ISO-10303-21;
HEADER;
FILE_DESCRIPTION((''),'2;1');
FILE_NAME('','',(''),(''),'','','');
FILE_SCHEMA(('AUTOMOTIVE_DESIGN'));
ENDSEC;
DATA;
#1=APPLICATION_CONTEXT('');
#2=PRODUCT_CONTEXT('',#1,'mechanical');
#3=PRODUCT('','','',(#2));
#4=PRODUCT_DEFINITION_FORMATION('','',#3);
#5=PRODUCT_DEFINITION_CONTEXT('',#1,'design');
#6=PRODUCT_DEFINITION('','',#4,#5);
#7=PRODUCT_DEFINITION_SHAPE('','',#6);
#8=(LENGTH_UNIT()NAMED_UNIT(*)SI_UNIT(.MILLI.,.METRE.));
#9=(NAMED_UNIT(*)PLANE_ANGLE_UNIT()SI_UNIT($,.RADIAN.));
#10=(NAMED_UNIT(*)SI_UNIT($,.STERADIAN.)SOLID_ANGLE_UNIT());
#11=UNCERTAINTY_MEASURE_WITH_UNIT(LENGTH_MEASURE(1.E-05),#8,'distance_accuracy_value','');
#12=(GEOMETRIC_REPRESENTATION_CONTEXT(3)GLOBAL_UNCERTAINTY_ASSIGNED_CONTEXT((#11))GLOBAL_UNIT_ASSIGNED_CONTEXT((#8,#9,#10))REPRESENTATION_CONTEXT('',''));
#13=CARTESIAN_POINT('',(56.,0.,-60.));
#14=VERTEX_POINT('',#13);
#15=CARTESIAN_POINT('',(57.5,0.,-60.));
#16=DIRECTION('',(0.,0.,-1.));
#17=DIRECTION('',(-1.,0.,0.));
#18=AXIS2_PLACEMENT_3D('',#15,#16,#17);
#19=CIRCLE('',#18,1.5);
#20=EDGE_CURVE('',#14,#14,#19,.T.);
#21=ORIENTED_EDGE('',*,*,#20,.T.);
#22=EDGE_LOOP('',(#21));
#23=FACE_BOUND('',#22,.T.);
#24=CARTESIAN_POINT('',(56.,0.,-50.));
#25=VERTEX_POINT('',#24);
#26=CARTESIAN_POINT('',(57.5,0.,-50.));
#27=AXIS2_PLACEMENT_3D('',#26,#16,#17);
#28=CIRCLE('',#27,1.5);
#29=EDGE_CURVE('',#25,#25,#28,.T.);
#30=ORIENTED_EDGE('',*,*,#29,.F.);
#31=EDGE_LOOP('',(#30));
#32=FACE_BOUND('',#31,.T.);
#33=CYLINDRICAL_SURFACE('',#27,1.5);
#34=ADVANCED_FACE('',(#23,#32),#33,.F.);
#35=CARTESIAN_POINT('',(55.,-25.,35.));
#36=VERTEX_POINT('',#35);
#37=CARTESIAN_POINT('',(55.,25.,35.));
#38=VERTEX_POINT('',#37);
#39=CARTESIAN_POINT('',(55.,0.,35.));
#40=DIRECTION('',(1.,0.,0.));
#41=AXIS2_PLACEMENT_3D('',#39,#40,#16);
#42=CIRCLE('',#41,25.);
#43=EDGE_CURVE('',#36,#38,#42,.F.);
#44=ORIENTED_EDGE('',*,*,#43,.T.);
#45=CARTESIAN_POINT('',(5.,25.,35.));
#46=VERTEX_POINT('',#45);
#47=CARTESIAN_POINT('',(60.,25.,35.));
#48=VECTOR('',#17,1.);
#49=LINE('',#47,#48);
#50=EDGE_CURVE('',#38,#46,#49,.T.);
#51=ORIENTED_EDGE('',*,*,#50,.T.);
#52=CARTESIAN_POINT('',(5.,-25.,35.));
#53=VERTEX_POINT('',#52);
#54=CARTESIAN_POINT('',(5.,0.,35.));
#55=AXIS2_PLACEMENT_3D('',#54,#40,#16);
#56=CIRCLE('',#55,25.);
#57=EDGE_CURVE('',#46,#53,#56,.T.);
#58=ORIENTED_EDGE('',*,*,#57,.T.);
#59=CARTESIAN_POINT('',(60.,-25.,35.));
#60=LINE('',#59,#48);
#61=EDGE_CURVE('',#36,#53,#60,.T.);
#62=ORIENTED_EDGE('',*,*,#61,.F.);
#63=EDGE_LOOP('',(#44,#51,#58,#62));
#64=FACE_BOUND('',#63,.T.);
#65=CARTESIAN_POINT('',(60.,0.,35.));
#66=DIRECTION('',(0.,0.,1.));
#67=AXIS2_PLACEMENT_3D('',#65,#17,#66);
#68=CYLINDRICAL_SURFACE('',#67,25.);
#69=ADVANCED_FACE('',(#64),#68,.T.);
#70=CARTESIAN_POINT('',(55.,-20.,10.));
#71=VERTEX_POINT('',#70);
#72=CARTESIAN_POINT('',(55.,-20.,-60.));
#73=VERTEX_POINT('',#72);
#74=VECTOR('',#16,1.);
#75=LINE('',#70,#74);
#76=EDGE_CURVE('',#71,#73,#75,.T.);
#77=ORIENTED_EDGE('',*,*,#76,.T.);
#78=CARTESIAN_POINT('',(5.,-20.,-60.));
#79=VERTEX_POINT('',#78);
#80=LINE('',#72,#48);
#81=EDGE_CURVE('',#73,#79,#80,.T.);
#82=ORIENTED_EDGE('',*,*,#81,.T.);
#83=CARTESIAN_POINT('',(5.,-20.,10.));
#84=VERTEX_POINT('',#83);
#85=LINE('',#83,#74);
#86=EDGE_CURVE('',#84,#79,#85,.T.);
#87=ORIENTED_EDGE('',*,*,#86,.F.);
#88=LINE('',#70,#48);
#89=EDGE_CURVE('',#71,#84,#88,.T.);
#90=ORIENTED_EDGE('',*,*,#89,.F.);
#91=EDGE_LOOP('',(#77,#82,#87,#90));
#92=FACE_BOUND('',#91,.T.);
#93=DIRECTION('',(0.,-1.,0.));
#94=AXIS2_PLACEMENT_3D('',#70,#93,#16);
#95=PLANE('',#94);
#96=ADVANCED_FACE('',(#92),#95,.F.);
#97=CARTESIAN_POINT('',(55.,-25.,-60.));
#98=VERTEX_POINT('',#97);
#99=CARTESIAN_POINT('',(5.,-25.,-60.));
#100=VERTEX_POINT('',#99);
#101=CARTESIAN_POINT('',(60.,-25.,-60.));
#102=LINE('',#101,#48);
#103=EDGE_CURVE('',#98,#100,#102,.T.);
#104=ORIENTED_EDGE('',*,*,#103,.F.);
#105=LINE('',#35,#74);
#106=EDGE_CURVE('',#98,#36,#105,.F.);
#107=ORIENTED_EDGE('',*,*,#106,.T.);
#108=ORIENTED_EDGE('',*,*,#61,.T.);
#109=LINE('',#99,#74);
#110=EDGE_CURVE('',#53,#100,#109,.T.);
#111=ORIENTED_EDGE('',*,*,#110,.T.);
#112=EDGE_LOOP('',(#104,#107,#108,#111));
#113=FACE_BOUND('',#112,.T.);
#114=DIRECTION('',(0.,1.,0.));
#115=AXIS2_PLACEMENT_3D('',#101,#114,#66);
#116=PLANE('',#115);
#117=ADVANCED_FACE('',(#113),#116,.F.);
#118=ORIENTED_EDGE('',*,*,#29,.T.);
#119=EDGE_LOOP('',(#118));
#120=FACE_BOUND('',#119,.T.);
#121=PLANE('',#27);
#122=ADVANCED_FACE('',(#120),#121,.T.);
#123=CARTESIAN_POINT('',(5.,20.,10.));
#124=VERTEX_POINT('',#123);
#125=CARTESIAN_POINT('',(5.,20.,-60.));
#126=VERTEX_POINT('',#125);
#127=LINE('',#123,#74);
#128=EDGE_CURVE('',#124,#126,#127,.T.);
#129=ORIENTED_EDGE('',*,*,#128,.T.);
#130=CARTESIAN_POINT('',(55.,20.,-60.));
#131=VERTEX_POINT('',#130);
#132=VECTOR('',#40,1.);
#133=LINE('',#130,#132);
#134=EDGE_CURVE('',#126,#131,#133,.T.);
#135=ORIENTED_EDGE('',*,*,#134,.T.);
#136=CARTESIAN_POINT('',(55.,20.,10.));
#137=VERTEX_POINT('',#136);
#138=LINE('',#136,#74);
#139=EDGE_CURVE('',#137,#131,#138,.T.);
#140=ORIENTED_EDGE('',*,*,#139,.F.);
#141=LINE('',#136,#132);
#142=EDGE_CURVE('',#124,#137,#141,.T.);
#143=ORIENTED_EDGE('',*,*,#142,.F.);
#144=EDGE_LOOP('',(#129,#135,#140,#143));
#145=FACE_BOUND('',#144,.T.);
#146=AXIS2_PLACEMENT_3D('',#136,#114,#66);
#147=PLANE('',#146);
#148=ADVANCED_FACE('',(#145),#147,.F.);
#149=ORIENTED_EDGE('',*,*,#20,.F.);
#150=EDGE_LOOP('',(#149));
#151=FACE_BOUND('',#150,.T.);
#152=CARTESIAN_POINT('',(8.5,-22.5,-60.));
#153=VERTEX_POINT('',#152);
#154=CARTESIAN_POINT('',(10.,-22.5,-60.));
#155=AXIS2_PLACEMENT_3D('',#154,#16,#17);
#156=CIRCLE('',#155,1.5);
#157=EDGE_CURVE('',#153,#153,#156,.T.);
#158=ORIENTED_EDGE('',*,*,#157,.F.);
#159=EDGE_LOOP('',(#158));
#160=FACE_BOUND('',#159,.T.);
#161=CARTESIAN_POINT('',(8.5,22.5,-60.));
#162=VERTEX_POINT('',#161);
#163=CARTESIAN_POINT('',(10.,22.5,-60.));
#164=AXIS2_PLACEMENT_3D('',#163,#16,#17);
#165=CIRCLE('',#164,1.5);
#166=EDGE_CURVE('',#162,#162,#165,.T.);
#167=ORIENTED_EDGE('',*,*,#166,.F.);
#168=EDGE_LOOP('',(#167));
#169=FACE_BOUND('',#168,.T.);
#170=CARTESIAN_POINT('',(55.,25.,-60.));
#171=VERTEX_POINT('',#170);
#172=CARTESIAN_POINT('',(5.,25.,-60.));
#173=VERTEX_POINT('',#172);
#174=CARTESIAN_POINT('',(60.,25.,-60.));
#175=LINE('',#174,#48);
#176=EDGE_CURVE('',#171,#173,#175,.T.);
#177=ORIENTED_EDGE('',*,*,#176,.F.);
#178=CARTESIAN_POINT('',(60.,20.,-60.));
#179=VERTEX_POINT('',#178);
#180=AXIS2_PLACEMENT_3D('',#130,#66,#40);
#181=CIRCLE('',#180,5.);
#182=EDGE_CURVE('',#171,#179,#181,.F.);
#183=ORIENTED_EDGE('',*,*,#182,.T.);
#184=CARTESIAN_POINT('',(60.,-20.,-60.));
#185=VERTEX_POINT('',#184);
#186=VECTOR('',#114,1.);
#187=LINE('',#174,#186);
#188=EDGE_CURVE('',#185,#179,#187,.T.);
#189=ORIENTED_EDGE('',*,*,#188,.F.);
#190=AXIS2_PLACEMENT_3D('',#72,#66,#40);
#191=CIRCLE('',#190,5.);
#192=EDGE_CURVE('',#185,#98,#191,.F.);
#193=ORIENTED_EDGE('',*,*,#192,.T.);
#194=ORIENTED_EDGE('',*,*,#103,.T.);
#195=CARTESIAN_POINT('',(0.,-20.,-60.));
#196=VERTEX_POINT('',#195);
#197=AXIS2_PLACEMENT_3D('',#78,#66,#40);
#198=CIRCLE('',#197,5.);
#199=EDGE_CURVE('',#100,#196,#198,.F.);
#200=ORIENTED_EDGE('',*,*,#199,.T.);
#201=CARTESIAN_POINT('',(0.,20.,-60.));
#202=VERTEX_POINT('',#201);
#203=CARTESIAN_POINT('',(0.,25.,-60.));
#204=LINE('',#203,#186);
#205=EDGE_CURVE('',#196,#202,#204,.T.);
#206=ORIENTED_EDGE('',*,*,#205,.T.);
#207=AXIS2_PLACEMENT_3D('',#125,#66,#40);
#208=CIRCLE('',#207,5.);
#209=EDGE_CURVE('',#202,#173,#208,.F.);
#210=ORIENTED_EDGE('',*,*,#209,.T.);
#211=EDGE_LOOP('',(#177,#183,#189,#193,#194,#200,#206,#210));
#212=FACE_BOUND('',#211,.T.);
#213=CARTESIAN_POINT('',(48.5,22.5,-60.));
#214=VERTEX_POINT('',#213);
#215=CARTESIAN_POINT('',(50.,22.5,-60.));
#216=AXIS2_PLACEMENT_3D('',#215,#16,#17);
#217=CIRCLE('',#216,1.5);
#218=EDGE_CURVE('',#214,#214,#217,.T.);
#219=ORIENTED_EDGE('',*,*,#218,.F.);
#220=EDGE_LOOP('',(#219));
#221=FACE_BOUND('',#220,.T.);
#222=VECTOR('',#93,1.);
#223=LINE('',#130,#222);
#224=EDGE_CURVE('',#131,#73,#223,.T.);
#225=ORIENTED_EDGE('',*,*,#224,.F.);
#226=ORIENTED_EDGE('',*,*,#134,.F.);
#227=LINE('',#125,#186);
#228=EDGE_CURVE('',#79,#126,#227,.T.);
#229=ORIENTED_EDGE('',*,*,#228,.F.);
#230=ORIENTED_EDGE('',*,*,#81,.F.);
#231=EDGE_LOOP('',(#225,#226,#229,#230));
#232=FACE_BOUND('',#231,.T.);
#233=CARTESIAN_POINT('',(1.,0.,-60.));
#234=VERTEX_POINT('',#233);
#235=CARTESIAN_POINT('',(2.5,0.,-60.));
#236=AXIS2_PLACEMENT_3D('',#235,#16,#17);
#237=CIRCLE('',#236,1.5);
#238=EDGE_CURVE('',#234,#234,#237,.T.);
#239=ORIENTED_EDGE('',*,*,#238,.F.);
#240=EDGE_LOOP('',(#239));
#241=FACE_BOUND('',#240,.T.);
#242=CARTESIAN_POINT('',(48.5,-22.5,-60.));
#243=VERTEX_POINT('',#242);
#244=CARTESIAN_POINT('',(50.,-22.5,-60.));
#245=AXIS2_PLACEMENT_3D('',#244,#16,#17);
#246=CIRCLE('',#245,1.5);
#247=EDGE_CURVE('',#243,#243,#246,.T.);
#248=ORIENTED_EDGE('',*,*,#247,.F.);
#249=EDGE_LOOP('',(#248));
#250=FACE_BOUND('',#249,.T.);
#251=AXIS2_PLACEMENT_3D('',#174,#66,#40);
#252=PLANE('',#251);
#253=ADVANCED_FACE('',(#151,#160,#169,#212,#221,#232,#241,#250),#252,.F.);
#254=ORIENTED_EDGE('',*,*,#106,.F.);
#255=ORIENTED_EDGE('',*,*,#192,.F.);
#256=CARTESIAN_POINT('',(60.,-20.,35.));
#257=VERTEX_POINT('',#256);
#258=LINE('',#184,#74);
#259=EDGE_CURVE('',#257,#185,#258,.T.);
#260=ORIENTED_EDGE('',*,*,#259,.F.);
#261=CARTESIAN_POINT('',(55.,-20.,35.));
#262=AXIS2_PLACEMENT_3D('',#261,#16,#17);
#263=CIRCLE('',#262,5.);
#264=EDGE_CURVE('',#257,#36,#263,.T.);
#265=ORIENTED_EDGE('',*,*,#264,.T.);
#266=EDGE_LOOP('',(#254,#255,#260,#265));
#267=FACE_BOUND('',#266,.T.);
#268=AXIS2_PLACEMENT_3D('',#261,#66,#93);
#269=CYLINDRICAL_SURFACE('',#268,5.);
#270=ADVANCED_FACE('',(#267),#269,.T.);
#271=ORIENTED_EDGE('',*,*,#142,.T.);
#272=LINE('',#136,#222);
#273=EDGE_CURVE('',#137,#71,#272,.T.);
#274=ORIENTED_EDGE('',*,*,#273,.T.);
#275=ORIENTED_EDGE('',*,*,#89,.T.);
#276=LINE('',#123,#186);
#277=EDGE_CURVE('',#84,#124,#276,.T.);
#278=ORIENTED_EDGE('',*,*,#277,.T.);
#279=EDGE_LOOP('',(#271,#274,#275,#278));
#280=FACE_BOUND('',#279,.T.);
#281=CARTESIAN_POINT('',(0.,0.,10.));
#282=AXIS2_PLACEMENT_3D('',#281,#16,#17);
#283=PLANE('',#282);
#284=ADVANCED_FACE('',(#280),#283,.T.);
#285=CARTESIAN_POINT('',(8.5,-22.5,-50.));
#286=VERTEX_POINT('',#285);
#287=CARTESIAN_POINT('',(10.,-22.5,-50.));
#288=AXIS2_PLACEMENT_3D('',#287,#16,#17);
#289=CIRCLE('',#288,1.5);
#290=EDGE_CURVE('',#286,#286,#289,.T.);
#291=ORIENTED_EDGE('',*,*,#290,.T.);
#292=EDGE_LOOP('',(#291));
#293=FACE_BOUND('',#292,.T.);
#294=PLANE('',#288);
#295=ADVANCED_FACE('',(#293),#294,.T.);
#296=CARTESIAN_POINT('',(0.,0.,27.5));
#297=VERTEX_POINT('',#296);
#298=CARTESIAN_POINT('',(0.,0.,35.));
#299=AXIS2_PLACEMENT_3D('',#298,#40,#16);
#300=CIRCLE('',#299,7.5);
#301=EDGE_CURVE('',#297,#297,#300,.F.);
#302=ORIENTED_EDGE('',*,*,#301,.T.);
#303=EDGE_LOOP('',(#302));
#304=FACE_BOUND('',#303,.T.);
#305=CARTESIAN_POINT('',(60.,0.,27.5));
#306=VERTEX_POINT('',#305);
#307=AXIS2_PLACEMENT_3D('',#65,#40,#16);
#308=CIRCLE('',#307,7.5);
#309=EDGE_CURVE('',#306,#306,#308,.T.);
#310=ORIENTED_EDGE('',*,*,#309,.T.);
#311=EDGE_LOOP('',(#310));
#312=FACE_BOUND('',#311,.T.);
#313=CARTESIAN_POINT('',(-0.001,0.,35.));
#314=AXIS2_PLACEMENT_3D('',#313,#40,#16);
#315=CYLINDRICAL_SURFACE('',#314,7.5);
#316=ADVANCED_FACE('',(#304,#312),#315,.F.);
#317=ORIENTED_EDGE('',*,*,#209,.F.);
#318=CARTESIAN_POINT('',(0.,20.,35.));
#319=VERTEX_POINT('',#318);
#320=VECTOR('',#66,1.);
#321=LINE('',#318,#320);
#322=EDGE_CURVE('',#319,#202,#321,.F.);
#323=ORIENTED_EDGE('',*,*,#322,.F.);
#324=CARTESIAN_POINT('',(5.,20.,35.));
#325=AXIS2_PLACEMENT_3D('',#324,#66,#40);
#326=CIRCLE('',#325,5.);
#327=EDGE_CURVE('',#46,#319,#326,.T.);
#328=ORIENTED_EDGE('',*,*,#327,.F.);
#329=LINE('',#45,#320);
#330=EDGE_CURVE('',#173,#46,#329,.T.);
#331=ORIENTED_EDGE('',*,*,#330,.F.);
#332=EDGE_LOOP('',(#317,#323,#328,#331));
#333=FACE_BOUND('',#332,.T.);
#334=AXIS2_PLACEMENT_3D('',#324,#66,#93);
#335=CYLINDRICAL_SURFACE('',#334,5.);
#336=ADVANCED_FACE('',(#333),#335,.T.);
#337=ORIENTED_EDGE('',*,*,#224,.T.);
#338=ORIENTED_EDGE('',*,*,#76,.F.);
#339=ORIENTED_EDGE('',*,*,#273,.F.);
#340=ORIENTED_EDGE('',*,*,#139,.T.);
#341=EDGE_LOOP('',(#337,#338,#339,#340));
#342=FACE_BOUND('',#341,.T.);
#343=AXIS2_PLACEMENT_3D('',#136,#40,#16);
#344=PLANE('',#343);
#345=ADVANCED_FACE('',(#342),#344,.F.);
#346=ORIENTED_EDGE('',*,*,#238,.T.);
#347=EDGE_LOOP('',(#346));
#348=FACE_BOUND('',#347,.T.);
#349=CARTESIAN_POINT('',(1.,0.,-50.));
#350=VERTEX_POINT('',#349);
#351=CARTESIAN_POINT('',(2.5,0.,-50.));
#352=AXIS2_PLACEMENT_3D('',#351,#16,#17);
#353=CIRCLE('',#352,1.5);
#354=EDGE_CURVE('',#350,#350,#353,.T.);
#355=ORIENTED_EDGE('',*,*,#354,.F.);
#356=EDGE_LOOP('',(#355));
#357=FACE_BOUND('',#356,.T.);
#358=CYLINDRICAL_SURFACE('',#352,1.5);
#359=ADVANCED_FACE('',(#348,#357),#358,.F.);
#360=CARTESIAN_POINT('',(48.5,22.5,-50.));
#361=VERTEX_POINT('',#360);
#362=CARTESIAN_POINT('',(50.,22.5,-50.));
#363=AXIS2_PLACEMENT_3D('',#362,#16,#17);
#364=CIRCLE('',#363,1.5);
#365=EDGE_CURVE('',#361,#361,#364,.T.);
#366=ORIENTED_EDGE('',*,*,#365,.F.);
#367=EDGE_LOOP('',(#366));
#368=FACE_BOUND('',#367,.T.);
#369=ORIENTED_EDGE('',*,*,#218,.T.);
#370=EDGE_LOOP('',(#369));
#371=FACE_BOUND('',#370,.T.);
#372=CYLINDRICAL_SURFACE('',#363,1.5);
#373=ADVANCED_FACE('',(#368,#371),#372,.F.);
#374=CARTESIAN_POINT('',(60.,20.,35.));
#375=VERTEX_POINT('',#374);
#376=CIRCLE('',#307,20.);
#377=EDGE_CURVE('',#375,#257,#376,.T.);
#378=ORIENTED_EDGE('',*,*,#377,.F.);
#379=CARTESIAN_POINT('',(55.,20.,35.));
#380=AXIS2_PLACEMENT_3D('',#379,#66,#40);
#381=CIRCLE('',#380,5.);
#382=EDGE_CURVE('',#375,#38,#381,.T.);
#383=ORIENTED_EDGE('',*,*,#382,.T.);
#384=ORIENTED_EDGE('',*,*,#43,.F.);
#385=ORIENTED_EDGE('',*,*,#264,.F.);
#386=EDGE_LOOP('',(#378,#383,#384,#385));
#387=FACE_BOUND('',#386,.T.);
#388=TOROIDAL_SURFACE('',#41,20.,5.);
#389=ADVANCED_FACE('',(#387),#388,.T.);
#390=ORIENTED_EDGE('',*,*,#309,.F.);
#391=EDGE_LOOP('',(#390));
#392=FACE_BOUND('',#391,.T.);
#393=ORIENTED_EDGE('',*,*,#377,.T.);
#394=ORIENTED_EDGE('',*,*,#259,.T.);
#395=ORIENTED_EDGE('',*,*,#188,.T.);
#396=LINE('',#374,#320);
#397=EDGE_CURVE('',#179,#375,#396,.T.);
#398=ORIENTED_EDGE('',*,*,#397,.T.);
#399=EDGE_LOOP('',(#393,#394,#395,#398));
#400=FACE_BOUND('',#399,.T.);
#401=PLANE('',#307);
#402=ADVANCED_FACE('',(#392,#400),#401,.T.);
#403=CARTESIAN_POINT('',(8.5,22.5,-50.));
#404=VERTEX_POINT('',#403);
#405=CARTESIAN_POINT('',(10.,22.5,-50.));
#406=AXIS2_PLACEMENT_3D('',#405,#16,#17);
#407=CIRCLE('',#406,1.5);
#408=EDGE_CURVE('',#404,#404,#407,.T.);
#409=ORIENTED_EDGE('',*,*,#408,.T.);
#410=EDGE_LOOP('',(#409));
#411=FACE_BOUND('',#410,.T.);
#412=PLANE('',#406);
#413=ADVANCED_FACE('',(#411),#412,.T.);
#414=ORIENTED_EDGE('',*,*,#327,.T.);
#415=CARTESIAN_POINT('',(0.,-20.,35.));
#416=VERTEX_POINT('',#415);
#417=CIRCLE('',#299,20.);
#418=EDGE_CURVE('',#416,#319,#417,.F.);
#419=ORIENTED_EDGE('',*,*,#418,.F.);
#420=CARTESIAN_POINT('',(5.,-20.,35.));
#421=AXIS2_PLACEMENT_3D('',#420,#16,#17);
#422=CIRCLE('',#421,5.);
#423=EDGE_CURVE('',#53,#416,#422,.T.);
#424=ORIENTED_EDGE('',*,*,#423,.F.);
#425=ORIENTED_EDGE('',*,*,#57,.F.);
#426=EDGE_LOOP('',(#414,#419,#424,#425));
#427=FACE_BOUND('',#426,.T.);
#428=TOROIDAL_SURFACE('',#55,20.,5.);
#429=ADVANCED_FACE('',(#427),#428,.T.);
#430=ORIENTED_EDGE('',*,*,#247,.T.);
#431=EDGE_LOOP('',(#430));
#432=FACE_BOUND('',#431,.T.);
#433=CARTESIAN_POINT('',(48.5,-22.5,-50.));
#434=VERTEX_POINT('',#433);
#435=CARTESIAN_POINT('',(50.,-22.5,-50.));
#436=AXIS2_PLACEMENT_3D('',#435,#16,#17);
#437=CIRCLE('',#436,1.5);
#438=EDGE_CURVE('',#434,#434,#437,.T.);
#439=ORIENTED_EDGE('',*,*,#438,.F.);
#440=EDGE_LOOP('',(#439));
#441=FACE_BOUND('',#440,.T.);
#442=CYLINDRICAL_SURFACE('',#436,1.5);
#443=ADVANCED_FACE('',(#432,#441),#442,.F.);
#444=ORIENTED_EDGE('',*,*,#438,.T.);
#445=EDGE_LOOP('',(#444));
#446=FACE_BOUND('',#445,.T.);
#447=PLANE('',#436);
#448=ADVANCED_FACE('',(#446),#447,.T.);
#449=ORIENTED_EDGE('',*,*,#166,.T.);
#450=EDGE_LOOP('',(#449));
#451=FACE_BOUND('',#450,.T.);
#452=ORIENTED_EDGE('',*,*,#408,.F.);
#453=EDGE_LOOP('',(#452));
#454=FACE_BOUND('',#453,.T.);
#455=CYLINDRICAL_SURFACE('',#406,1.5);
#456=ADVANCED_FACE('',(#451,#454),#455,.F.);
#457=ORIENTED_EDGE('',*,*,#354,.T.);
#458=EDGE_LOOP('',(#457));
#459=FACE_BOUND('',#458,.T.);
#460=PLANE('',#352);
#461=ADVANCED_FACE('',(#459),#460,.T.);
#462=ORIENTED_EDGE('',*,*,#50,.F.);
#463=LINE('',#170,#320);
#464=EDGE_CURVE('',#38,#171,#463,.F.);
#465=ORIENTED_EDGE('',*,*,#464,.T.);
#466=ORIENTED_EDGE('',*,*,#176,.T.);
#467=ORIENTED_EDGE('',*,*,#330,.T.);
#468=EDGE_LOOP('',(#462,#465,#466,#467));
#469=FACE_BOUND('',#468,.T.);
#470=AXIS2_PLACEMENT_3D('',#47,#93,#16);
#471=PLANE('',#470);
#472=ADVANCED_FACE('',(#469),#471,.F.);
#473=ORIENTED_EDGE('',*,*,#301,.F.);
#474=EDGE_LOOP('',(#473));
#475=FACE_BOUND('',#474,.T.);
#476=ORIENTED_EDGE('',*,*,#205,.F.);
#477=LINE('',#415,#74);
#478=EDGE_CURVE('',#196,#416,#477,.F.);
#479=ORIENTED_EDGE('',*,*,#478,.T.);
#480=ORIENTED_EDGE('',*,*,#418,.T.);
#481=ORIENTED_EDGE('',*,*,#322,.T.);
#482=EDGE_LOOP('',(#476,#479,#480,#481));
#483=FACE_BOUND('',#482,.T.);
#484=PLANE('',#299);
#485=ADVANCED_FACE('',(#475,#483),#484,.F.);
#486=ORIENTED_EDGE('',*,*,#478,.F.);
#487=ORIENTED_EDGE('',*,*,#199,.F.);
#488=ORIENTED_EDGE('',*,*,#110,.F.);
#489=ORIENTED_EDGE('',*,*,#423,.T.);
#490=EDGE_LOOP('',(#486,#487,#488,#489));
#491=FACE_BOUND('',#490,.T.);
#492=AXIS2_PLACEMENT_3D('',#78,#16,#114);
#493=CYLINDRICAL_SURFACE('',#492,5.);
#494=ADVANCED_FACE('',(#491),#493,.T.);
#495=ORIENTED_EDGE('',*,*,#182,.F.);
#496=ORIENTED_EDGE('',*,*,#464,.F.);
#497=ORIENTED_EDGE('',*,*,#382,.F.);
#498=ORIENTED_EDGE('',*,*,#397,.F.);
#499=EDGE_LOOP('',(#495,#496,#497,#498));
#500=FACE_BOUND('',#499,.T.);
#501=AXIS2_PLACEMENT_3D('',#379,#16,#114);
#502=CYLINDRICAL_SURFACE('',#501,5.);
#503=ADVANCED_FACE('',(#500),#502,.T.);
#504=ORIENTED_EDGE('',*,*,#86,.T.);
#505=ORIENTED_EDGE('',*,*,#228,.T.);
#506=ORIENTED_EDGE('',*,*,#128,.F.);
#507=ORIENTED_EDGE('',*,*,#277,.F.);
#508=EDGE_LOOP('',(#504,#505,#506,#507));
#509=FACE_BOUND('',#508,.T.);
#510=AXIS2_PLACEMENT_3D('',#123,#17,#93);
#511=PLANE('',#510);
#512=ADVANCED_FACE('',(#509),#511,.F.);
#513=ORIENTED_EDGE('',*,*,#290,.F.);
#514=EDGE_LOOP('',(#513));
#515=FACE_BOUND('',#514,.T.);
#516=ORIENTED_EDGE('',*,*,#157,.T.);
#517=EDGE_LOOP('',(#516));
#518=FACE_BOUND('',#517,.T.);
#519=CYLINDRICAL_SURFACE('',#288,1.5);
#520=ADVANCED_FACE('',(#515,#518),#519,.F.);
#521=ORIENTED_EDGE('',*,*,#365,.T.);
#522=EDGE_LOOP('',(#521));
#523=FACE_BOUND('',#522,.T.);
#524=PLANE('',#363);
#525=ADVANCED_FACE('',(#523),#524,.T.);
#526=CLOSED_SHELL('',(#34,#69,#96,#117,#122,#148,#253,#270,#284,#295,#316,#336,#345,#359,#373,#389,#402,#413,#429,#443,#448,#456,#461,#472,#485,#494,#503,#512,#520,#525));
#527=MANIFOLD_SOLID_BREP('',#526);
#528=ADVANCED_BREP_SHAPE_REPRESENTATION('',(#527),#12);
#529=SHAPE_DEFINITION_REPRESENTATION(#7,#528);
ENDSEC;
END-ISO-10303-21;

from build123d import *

# Parameters (mm, degrees)
BOSS_EXTRUDE1_DEPTH = 60
CUT_EXTRUDE1_REACH  = 90.459
SKETCH2_R           = 7.5
SKETCH3_W           = 50
SKETCH3_H           = 40
CUT_EXTRUDE2_DEPTH  = 70
SKETCH4_R           = 1.5
CUT_EXTRUDE3_DEPTH  = 10
FILLET2_R           = 5


with BuildPart() as part:
    # Sketch1 → Boss-Extrude1 (new body)
    with BuildSketch(Plane(origin=(0, 0, 0), x_dir=(0, 0, -1), z_dir=(1, 0, 0))):
        with BuildLine():
            Line((-35, 25), (60, 25))
            Line((60, 25), (60, -25))
            Line((60, -25), (-35, -25))
            ThreePointArc((-35, -25), (-60, 0), (-35, 25))
        make_face()
    extrude(amount=BOSS_EXTRUDE1_DEPTH)

    # Sketch2 → Cut-Extrude1 (cut, up to next)
    with BuildSketch(Plane(origin=(60, 0, 0), x_dir=(0, 0, -1), z_dir=(1, 0, 0)), mode=Mode.PRIVATE) as cut_extrude1_sk1:
        with Locations((-35, 0)):
            Circle(SKETCH2_R)
    cut_extrude1_tool1 = extrude(cut_extrude1_sk1.sketch, amount=-CUT_EXTRUDE1_REACH, mode=Mode.PRIVATE) & part.part
    add(cut_extrude1_tool1.solids().sort_by_distance((60, 0, 35))[0], mode=Mode.SUBTRACT)

    # Sketch3 → Cut-Extrude2 (cut)
    with BuildSketch(Plane(origin=(0, 0, -60), x_dir=(-1, 0, 0), z_dir=(0, 0, -1))):
        with Locations((-30, 0)):
            Rectangle(SKETCH3_W, SKETCH3_H)
    extrude(amount=-CUT_EXTRUDE2_DEPTH, mode=Mode.SUBTRACT)

    # Sketch4 → Cut-Extrude3 (cut)
    with BuildSketch(Plane(origin=(0, 0, -60), x_dir=(-1, 0, 0), z_dir=(0, 0, -1))):
        with Locations((-50, 22.5)):
            Circle(SKETCH4_R)
        with Locations((-50, -22.5)):
            Circle(SKETCH4_R)
        with Locations((-10, -22.5)):
            Circle(SKETCH4_R)
        with Locations((-10, 22.5)):
            Circle(SKETCH4_R)
        with Locations((-57.5, 0)):
            Circle(SKETCH4_R)
        with Locations((-2.5, 0)):
            Circle(SKETCH4_R)
    extrude(amount=-CUT_EXTRUDE3_DEPTH, mode=Mode.SUBTRACT)

    # Fillet2
    fillet2_edges = [part.edges().sort_by_distance(p)[0] for p in [
        (60, 25, -12.5),
        (60, 0, 60),
        (0, 25, -12.5),
        (0, -25, -12.5),
        (0, 0, 60),
        (60, -25, -12.5),
    ]]
    fillet(fillet2_edges, radius=FILLET2_R)


solid = part.part
